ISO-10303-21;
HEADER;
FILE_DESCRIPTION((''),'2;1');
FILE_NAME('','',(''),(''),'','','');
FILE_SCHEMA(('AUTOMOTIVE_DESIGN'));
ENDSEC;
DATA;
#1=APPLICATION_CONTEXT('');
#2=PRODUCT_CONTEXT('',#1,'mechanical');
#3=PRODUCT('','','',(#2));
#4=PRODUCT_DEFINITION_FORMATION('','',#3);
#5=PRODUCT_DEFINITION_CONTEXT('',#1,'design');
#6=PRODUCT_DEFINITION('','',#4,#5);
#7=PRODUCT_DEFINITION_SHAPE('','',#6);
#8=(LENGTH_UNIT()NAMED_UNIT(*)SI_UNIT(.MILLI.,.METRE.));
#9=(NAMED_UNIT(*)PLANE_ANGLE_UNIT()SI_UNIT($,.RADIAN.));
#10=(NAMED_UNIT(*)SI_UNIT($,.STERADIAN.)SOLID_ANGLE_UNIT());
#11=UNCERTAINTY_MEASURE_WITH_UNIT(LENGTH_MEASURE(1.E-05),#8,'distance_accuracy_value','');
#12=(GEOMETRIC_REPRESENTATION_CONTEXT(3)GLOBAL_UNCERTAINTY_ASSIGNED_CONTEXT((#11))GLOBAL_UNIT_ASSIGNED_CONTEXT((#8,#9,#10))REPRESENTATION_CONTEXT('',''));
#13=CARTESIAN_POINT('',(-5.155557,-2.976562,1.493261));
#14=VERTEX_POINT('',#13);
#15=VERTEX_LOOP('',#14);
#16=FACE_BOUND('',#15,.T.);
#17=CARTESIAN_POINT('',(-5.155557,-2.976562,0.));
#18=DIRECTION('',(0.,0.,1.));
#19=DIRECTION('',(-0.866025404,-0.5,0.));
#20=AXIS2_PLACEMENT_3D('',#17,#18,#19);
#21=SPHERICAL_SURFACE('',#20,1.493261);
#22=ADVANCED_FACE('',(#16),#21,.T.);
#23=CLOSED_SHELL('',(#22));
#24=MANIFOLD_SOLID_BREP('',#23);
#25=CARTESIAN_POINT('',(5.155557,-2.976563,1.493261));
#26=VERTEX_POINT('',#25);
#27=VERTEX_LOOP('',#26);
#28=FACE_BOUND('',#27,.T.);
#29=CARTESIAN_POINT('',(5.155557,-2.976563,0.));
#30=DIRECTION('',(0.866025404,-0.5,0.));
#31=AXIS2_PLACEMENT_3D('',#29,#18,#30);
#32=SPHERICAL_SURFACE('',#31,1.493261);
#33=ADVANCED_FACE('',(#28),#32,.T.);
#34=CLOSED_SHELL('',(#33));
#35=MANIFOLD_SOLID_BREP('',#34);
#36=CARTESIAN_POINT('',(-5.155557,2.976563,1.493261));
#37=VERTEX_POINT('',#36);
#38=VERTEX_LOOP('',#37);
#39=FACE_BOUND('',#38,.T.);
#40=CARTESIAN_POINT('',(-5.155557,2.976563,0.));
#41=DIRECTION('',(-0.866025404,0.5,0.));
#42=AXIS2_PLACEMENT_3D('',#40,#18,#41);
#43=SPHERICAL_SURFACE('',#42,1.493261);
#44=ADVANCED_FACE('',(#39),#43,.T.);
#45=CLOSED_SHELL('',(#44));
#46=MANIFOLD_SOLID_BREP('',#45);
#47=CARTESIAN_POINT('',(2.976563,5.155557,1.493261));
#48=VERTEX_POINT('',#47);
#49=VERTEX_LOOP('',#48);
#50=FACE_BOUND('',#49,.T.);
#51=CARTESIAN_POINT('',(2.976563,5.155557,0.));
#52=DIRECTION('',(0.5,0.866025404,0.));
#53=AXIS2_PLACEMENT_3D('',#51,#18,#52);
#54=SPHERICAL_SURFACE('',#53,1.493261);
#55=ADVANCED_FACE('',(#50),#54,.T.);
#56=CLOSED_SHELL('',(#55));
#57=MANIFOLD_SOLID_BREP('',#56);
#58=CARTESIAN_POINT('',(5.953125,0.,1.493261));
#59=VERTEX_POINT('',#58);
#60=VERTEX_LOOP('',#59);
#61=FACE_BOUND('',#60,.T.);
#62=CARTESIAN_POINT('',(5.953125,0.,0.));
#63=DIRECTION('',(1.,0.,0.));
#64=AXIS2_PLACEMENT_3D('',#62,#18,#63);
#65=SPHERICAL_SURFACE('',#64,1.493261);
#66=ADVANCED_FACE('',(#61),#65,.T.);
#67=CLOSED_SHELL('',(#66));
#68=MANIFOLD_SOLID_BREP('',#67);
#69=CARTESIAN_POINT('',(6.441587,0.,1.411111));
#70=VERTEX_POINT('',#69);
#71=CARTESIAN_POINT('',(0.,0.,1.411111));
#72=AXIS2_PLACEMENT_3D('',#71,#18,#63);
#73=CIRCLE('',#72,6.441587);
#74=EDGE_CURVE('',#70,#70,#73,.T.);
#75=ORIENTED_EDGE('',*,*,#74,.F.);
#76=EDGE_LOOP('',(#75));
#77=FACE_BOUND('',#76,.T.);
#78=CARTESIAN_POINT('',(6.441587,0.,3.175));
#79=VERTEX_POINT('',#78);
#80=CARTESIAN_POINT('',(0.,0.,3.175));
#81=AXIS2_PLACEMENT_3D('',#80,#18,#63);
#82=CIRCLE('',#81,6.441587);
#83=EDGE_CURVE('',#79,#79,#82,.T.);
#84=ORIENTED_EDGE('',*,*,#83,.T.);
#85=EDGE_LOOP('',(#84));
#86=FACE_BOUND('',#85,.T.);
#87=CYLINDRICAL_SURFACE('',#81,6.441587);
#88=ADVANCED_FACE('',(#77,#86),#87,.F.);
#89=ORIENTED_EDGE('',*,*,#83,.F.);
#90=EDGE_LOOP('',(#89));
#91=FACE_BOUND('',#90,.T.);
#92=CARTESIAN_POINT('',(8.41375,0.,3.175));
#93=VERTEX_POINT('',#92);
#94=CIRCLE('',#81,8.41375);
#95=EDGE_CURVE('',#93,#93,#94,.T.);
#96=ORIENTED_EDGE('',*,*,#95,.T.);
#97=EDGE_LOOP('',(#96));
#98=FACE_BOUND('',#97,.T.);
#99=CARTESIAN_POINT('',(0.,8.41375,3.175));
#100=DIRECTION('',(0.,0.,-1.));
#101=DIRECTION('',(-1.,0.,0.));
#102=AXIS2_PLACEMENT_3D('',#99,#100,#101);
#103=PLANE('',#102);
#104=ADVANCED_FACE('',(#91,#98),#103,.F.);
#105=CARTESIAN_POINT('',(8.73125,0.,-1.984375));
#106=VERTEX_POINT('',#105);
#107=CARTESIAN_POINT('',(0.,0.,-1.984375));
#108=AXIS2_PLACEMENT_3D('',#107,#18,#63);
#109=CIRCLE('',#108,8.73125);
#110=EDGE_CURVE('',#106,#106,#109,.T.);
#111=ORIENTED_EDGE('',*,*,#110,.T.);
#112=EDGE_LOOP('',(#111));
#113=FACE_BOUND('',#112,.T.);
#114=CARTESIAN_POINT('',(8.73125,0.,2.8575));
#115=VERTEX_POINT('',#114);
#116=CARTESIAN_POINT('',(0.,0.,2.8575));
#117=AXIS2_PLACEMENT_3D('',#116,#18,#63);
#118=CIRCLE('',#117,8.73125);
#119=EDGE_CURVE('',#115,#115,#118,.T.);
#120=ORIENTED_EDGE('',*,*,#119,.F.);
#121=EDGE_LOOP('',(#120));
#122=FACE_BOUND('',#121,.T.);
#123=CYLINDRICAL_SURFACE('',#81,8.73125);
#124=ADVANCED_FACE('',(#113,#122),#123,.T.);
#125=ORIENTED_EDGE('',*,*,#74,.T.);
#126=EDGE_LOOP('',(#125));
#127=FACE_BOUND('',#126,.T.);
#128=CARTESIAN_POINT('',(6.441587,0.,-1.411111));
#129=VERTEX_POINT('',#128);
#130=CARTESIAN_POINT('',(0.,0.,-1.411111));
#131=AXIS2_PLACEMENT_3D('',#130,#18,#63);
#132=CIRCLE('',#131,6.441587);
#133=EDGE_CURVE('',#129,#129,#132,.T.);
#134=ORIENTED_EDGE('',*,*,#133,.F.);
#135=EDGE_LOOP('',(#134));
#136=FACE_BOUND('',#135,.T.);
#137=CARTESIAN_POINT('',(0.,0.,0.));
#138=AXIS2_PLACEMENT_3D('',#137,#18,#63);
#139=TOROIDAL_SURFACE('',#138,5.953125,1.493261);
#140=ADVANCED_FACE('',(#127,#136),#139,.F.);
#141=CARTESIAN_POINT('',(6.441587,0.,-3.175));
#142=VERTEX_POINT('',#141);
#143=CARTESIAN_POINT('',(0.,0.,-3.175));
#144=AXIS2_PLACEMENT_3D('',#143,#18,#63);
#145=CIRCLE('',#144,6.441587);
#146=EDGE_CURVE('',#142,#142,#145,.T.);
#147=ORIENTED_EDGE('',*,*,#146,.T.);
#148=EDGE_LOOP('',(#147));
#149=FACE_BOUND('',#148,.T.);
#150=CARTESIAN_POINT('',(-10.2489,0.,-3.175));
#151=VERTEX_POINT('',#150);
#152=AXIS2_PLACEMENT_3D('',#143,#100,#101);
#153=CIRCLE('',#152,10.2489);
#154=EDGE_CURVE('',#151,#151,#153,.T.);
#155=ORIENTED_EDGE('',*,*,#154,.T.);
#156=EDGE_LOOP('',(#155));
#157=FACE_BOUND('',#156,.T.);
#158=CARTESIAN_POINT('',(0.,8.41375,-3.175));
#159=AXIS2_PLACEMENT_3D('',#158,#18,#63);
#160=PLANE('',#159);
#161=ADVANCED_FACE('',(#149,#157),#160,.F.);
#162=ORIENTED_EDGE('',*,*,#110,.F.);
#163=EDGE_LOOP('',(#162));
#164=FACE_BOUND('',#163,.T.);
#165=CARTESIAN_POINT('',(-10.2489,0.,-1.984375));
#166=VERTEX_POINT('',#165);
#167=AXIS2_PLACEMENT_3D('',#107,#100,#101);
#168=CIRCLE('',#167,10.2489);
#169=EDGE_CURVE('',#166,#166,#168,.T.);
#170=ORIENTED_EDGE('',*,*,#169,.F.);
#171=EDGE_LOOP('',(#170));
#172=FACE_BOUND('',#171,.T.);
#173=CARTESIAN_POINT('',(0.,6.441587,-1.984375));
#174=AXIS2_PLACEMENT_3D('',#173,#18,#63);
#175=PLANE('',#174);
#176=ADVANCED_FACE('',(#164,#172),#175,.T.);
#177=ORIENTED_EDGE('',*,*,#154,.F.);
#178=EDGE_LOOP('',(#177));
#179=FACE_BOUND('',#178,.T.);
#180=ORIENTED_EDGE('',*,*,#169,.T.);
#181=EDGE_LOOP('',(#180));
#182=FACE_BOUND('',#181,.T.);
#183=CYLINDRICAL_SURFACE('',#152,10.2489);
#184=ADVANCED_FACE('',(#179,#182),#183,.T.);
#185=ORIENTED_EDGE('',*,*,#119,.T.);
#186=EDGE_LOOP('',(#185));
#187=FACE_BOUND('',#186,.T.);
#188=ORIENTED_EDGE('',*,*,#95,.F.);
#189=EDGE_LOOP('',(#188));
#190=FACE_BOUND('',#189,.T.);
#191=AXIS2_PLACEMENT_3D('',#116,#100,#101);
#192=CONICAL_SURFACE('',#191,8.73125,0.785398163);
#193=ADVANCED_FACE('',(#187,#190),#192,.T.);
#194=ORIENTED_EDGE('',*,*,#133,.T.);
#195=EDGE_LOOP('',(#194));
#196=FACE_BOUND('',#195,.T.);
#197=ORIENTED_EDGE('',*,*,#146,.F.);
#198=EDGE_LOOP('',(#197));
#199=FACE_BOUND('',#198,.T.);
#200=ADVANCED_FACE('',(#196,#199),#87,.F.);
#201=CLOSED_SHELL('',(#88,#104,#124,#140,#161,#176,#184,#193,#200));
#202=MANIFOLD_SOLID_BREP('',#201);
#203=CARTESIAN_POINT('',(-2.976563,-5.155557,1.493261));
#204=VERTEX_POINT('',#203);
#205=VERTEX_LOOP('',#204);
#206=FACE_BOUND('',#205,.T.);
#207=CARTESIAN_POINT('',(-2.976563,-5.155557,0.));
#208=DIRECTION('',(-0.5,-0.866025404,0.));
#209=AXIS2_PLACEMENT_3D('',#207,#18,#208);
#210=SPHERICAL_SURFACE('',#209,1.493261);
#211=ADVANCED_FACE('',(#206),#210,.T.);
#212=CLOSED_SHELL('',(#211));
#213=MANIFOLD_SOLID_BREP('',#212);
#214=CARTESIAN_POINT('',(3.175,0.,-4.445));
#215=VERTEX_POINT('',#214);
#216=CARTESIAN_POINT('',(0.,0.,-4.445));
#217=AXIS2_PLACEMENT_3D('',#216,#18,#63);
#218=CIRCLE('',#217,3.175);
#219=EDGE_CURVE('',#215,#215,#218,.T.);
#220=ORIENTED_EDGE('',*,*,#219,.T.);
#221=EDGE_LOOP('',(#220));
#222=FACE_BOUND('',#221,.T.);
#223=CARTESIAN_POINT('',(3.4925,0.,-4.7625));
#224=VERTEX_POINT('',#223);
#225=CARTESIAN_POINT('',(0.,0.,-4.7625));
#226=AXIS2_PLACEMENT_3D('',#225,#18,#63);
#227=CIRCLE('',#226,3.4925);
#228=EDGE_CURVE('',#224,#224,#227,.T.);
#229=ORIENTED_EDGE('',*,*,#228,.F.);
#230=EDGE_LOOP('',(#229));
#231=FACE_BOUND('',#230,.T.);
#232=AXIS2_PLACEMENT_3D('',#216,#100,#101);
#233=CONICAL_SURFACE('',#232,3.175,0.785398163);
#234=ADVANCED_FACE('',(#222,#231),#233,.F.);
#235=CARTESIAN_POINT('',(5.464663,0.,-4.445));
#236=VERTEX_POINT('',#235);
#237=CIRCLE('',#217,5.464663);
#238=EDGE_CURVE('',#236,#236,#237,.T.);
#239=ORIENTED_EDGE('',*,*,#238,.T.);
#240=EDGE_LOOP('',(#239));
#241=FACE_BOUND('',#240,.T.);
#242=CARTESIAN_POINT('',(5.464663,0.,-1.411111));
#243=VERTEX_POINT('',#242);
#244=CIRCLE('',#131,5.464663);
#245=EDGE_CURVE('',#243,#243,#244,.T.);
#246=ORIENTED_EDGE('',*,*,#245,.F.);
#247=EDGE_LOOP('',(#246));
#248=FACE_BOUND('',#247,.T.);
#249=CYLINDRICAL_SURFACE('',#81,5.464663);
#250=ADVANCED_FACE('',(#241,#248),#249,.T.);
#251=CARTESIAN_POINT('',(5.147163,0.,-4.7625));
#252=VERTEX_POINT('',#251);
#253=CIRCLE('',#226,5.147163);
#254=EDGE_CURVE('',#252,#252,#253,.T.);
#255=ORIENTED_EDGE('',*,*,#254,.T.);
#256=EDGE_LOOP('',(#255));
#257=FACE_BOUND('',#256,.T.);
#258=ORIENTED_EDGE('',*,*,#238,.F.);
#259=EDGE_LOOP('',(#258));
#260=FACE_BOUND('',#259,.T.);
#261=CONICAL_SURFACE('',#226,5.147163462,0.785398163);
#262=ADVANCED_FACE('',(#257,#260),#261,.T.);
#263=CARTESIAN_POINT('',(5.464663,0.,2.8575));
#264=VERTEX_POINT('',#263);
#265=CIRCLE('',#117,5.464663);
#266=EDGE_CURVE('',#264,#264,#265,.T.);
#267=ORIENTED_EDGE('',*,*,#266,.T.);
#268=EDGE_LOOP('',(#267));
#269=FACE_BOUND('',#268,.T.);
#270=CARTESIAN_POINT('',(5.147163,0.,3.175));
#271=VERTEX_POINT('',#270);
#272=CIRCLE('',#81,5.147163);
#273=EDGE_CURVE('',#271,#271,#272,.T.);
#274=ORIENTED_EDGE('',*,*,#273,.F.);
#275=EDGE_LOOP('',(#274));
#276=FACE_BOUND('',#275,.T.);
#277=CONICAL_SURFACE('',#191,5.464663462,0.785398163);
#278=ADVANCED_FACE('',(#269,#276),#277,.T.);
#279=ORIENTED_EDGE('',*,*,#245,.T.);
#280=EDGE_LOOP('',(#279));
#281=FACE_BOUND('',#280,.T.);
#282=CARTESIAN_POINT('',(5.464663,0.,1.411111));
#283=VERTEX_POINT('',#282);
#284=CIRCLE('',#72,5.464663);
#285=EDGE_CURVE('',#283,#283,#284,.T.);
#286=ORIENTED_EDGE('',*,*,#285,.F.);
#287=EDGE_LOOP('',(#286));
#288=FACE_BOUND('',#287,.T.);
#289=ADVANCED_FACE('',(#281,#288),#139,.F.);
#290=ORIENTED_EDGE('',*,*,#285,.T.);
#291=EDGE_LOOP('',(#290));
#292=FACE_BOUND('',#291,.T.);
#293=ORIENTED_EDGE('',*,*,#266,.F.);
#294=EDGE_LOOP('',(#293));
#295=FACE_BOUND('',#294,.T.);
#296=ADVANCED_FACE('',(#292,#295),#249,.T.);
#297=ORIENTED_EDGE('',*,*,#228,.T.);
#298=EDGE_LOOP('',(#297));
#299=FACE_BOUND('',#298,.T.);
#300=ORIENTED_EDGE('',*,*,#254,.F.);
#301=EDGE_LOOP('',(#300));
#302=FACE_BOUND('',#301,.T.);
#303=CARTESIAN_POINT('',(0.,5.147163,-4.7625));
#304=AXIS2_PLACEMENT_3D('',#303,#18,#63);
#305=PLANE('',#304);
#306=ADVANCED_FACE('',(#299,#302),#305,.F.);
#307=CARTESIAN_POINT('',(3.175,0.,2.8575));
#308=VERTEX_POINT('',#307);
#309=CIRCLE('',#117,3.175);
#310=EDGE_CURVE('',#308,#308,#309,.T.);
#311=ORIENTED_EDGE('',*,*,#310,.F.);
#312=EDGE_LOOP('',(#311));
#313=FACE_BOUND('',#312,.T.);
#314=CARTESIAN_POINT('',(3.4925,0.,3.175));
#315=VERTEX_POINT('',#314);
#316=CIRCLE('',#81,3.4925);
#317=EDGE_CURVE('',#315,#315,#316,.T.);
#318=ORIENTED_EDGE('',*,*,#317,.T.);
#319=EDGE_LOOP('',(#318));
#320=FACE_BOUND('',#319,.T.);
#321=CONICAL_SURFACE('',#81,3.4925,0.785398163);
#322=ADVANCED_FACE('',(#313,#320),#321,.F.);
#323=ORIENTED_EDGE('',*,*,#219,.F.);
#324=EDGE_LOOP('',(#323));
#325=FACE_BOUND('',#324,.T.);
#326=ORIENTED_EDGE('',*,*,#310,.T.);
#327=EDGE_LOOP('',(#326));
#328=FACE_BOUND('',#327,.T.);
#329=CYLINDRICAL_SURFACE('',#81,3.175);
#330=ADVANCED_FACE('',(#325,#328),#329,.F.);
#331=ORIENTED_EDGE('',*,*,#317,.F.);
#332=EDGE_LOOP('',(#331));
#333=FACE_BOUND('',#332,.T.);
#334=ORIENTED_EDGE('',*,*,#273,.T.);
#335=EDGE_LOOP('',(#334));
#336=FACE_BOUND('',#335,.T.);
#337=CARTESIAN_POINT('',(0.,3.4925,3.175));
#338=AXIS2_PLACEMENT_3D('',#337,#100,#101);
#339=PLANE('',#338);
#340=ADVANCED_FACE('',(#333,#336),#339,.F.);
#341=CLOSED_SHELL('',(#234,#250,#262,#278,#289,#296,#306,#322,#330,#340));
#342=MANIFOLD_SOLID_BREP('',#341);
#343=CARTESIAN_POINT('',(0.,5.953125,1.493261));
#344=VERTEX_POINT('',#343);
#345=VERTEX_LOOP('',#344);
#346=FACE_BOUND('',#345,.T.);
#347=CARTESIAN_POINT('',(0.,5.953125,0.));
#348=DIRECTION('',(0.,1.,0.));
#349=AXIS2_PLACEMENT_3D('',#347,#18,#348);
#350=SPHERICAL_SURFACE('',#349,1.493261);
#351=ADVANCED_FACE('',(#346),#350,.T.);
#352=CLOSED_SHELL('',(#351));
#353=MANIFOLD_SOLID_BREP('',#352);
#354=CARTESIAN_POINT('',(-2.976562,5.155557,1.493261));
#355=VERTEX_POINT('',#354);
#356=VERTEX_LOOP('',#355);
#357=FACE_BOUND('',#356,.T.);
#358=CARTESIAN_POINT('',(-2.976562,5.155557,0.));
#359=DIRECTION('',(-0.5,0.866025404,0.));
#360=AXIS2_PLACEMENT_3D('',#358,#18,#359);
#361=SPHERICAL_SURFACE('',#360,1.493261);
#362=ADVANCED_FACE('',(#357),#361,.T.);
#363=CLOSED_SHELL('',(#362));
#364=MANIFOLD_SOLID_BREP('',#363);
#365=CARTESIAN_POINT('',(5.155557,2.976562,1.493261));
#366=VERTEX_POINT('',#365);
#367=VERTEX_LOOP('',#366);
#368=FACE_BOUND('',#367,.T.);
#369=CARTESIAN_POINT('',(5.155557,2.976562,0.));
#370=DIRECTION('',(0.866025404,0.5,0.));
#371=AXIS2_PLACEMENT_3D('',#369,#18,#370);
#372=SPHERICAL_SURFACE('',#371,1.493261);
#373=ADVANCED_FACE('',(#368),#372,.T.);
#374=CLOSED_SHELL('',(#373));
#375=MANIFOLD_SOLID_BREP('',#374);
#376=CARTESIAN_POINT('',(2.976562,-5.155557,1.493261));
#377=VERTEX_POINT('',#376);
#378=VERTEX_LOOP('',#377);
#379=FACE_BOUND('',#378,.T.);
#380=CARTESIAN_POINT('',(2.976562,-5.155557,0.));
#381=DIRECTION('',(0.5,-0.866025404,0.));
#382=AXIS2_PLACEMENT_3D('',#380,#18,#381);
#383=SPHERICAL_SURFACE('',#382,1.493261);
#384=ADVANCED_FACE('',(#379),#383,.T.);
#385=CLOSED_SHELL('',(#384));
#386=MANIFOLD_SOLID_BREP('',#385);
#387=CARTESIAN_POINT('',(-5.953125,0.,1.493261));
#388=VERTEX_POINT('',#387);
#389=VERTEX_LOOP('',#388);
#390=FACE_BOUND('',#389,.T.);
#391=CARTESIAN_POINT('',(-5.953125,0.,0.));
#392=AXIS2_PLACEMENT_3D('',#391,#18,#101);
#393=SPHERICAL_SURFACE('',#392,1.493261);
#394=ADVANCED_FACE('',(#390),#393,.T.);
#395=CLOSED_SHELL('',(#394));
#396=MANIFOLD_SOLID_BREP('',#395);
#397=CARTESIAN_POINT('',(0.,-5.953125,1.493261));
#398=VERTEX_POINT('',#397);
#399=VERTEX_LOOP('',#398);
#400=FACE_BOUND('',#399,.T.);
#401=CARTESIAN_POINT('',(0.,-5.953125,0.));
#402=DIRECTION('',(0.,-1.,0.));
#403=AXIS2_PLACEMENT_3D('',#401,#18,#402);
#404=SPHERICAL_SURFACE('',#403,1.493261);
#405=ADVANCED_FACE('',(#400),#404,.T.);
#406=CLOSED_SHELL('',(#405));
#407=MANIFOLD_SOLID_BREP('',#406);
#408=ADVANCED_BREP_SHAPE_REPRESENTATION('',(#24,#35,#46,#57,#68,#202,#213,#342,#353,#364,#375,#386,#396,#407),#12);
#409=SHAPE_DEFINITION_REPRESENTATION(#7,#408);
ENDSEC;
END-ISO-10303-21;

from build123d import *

# Parameters (mm, degrees)
CIRPATTERN1_COUNT = 12
SKETCH6_W         = 1.190625
SKETCH6_H         = 3.807313462


with BuildPart() as part:
    # Sketch1 → Revolve1 (revolve)
    with BuildSketch(Plane(origin=(0, 0, 0), x_dir=(0, 0, -1), z_dir=(1, 0, 0))):
        with BuildLine():
            Line((2.8575, 8.73125), (-2.8575, 8.73125))
            Line((-2.8575, 8.73125), (-3.175, 8.41375))
            Line((-3.175, 8.41375), (-3.175, 6.441586538))
            Line((-3.175, 6.441586538), (-1.411111111, 6.441586538))
            ThreePointArc((-1.411111111, 6.441586538), (0, 7.446386277), (1.411111111, 6.441586538))
            Line((1.411111111, 6.441586538), (3.175, 6.441586538))
            Line((3.175, 6.441586538), (3.175, 8.41375))
            Line((3.175, 8.41375), (2.8575, 8.73125))
        make_face()
    revolve(axis=Axis((0, 0, 3.175), (0, 0, -1)))

    # Sketch6 → Revolve6 (revolve)
    with BuildSketch(Plane(origin=(0, 0, 0), x_dir=(0, 0, -1), z_dir=(1, 0, 0))):
        with Locations((2.5796875, 8.345243269)):
            Rectangle(SKETCH6_W, SKETCH6_H)
    revolve(axis=Axis((0, 0, -3.175), (0, 0, 1)))


with BuildPart() as body_2:
    # Sketch3 → Revolve3 (revolve)
    with BuildSketch(Plane(origin=(0, 0, 0), x_dir=(0, 0, -1), z_dir=(1, 0, 0))):
        with BuildLine():
            Line((-3.175, 3.4925), (-3.175, 5.147163462))
            Line((-3.175, 5.147163462), (-2.8575, 5.464663462))
            Line((-2.8575, 5.464663462), (-1.411111111, 5.464663462))
            ThreePointArc((-1.411111111, 5.464663462), (0, 4.459863723), (1.411111111, 5.464663462))
            Line((1.411111111, 5.464663462), (4.445, 5.464663462))
            Line((4.445, 5.464663462), (4.7625, 5.147163462))
            Line((4.7625, 5.147163462), (4.7625, 3.4925))
            Line((4.7625, 3.4925), (4.445, 3.175))
            Line((4.445, 3.175), (-2.8575, 3.175))
            Line((-2.8575, 3.175), (-3.175, 3.4925))
        make_face()
    revolve(axis=Axis((0, 0, 3.175), (0, 0, -1)))


with BuildPart() as body_3:
    # Sketch4 → Revolve4 (revolve)
    with BuildSketch(Plane(origin=(0, 0, 0), x_dir=(0, 0, -1), z_dir=(1, 0, 0))):
        with BuildLine():
            Line((-1.493261277, 5.953125), (1.493261277, 5.953125))
            ThreePointArc((1.493261277, 5.953125), (0, 7.446386277), (-1.493261277, 5.953125))
        make_face()
    revolve(axis=Axis((0, 5.953125, 1.493261277), (0, 0, -1)))


with BuildPart() as cirpattern1_1:
    # CirPattern1: pattern copy
    add(body_3.part.rotate(Axis((0, 0, -3.175), (0, 0, 1)), 1 * 360 / CIRPATTERN1_COUNT))


with BuildPart() as cirpattern1_2:
    # CirPattern1: pattern copy
    add(body_3.part.rotate(Axis((0, 0, -3.175), (0, 0, 1)), 2 * 360 / CIRPATTERN1_COUNT))


with BuildPart() as cirpattern1_3:
    # CirPattern1: pattern copy
    add(body_3.part.rotate(Axis((0, 0, -3.175), (0, 0, 1)), 3 * 360 / CIRPATTERN1_COUNT))


with BuildPart() as cirpattern1_4:
    # CirPattern1: pattern copy
    add(body_3.part.rotate(Axis((0, 0, -3.175), (0, 0, 1)), 4 * 360 / CIRPATTERN1_COUNT))


with BuildPart() as cirpattern1_5:
    # CirPattern1: pattern copy
    add(body_3.part.rotate(Axis((0, 0, -3.175), (0, 0, 1)), 5 * 360 / CIRPATTERN1_COUNT))


with BuildPart() as cirpattern1_6:
    # CirPattern1: pattern copy
    add(body_3.part.rotate(Axis((0, 0, -3.175), (0, 0, 1)), 6 * 360 / CIRPATTERN1_COUNT))


with BuildPart() as cirpattern1_7:
    # CirPattern1: pattern copy
    add(body_3.part.rotate(Axis((0, 0, -3.175), (0, 0, 1)), 7 * 360 / CIRPATTERN1_COUNT))


with BuildPart() as cirpattern1_8:
    # CirPattern1: pattern copy
    add(body_3.part.rotate(Axis((0, 0, -3.175), (0, 0, 1)), 8 * 360 / CIRPATTERN1_COUNT))


with BuildPart() as cirpattern1_9:
    # CirPattern1: pattern copy
    add(body_3.part.rotate(Axis((0, 0, -3.175), (0, 0, 1)), 9 * 360 / CIRPATTERN1_COUNT))


with BuildPart() as cirpattern1_10:
    # CirPattern1: pattern copy
    add(body_3.part.rotate(Axis((0, 0, -3.175), (0, 0, 1)), 10 * 360 / CIRPATTERN1_COUNT))


with BuildPart() as cirpattern1_11:
    # CirPattern1: pattern copy
    add(body_3.part.rotate(Axis((0, 0, -3.175), (0, 0, 1)), 11 * 360 / CIRPATTERN1_COUNT))


solid = Compound([part.part, body_2.part, body_3.part, cirpattern1_1.part, cirpattern1_2.part, cirpattern1_3.part, cirpattern1_4.part, cirpattern1_5.part, cirpattern1_6.part, cirpattern1_7.part, cirpattern1_8.part, cirpattern1_9.part, cirpattern1_10.part, cirpattern1_11.part])
